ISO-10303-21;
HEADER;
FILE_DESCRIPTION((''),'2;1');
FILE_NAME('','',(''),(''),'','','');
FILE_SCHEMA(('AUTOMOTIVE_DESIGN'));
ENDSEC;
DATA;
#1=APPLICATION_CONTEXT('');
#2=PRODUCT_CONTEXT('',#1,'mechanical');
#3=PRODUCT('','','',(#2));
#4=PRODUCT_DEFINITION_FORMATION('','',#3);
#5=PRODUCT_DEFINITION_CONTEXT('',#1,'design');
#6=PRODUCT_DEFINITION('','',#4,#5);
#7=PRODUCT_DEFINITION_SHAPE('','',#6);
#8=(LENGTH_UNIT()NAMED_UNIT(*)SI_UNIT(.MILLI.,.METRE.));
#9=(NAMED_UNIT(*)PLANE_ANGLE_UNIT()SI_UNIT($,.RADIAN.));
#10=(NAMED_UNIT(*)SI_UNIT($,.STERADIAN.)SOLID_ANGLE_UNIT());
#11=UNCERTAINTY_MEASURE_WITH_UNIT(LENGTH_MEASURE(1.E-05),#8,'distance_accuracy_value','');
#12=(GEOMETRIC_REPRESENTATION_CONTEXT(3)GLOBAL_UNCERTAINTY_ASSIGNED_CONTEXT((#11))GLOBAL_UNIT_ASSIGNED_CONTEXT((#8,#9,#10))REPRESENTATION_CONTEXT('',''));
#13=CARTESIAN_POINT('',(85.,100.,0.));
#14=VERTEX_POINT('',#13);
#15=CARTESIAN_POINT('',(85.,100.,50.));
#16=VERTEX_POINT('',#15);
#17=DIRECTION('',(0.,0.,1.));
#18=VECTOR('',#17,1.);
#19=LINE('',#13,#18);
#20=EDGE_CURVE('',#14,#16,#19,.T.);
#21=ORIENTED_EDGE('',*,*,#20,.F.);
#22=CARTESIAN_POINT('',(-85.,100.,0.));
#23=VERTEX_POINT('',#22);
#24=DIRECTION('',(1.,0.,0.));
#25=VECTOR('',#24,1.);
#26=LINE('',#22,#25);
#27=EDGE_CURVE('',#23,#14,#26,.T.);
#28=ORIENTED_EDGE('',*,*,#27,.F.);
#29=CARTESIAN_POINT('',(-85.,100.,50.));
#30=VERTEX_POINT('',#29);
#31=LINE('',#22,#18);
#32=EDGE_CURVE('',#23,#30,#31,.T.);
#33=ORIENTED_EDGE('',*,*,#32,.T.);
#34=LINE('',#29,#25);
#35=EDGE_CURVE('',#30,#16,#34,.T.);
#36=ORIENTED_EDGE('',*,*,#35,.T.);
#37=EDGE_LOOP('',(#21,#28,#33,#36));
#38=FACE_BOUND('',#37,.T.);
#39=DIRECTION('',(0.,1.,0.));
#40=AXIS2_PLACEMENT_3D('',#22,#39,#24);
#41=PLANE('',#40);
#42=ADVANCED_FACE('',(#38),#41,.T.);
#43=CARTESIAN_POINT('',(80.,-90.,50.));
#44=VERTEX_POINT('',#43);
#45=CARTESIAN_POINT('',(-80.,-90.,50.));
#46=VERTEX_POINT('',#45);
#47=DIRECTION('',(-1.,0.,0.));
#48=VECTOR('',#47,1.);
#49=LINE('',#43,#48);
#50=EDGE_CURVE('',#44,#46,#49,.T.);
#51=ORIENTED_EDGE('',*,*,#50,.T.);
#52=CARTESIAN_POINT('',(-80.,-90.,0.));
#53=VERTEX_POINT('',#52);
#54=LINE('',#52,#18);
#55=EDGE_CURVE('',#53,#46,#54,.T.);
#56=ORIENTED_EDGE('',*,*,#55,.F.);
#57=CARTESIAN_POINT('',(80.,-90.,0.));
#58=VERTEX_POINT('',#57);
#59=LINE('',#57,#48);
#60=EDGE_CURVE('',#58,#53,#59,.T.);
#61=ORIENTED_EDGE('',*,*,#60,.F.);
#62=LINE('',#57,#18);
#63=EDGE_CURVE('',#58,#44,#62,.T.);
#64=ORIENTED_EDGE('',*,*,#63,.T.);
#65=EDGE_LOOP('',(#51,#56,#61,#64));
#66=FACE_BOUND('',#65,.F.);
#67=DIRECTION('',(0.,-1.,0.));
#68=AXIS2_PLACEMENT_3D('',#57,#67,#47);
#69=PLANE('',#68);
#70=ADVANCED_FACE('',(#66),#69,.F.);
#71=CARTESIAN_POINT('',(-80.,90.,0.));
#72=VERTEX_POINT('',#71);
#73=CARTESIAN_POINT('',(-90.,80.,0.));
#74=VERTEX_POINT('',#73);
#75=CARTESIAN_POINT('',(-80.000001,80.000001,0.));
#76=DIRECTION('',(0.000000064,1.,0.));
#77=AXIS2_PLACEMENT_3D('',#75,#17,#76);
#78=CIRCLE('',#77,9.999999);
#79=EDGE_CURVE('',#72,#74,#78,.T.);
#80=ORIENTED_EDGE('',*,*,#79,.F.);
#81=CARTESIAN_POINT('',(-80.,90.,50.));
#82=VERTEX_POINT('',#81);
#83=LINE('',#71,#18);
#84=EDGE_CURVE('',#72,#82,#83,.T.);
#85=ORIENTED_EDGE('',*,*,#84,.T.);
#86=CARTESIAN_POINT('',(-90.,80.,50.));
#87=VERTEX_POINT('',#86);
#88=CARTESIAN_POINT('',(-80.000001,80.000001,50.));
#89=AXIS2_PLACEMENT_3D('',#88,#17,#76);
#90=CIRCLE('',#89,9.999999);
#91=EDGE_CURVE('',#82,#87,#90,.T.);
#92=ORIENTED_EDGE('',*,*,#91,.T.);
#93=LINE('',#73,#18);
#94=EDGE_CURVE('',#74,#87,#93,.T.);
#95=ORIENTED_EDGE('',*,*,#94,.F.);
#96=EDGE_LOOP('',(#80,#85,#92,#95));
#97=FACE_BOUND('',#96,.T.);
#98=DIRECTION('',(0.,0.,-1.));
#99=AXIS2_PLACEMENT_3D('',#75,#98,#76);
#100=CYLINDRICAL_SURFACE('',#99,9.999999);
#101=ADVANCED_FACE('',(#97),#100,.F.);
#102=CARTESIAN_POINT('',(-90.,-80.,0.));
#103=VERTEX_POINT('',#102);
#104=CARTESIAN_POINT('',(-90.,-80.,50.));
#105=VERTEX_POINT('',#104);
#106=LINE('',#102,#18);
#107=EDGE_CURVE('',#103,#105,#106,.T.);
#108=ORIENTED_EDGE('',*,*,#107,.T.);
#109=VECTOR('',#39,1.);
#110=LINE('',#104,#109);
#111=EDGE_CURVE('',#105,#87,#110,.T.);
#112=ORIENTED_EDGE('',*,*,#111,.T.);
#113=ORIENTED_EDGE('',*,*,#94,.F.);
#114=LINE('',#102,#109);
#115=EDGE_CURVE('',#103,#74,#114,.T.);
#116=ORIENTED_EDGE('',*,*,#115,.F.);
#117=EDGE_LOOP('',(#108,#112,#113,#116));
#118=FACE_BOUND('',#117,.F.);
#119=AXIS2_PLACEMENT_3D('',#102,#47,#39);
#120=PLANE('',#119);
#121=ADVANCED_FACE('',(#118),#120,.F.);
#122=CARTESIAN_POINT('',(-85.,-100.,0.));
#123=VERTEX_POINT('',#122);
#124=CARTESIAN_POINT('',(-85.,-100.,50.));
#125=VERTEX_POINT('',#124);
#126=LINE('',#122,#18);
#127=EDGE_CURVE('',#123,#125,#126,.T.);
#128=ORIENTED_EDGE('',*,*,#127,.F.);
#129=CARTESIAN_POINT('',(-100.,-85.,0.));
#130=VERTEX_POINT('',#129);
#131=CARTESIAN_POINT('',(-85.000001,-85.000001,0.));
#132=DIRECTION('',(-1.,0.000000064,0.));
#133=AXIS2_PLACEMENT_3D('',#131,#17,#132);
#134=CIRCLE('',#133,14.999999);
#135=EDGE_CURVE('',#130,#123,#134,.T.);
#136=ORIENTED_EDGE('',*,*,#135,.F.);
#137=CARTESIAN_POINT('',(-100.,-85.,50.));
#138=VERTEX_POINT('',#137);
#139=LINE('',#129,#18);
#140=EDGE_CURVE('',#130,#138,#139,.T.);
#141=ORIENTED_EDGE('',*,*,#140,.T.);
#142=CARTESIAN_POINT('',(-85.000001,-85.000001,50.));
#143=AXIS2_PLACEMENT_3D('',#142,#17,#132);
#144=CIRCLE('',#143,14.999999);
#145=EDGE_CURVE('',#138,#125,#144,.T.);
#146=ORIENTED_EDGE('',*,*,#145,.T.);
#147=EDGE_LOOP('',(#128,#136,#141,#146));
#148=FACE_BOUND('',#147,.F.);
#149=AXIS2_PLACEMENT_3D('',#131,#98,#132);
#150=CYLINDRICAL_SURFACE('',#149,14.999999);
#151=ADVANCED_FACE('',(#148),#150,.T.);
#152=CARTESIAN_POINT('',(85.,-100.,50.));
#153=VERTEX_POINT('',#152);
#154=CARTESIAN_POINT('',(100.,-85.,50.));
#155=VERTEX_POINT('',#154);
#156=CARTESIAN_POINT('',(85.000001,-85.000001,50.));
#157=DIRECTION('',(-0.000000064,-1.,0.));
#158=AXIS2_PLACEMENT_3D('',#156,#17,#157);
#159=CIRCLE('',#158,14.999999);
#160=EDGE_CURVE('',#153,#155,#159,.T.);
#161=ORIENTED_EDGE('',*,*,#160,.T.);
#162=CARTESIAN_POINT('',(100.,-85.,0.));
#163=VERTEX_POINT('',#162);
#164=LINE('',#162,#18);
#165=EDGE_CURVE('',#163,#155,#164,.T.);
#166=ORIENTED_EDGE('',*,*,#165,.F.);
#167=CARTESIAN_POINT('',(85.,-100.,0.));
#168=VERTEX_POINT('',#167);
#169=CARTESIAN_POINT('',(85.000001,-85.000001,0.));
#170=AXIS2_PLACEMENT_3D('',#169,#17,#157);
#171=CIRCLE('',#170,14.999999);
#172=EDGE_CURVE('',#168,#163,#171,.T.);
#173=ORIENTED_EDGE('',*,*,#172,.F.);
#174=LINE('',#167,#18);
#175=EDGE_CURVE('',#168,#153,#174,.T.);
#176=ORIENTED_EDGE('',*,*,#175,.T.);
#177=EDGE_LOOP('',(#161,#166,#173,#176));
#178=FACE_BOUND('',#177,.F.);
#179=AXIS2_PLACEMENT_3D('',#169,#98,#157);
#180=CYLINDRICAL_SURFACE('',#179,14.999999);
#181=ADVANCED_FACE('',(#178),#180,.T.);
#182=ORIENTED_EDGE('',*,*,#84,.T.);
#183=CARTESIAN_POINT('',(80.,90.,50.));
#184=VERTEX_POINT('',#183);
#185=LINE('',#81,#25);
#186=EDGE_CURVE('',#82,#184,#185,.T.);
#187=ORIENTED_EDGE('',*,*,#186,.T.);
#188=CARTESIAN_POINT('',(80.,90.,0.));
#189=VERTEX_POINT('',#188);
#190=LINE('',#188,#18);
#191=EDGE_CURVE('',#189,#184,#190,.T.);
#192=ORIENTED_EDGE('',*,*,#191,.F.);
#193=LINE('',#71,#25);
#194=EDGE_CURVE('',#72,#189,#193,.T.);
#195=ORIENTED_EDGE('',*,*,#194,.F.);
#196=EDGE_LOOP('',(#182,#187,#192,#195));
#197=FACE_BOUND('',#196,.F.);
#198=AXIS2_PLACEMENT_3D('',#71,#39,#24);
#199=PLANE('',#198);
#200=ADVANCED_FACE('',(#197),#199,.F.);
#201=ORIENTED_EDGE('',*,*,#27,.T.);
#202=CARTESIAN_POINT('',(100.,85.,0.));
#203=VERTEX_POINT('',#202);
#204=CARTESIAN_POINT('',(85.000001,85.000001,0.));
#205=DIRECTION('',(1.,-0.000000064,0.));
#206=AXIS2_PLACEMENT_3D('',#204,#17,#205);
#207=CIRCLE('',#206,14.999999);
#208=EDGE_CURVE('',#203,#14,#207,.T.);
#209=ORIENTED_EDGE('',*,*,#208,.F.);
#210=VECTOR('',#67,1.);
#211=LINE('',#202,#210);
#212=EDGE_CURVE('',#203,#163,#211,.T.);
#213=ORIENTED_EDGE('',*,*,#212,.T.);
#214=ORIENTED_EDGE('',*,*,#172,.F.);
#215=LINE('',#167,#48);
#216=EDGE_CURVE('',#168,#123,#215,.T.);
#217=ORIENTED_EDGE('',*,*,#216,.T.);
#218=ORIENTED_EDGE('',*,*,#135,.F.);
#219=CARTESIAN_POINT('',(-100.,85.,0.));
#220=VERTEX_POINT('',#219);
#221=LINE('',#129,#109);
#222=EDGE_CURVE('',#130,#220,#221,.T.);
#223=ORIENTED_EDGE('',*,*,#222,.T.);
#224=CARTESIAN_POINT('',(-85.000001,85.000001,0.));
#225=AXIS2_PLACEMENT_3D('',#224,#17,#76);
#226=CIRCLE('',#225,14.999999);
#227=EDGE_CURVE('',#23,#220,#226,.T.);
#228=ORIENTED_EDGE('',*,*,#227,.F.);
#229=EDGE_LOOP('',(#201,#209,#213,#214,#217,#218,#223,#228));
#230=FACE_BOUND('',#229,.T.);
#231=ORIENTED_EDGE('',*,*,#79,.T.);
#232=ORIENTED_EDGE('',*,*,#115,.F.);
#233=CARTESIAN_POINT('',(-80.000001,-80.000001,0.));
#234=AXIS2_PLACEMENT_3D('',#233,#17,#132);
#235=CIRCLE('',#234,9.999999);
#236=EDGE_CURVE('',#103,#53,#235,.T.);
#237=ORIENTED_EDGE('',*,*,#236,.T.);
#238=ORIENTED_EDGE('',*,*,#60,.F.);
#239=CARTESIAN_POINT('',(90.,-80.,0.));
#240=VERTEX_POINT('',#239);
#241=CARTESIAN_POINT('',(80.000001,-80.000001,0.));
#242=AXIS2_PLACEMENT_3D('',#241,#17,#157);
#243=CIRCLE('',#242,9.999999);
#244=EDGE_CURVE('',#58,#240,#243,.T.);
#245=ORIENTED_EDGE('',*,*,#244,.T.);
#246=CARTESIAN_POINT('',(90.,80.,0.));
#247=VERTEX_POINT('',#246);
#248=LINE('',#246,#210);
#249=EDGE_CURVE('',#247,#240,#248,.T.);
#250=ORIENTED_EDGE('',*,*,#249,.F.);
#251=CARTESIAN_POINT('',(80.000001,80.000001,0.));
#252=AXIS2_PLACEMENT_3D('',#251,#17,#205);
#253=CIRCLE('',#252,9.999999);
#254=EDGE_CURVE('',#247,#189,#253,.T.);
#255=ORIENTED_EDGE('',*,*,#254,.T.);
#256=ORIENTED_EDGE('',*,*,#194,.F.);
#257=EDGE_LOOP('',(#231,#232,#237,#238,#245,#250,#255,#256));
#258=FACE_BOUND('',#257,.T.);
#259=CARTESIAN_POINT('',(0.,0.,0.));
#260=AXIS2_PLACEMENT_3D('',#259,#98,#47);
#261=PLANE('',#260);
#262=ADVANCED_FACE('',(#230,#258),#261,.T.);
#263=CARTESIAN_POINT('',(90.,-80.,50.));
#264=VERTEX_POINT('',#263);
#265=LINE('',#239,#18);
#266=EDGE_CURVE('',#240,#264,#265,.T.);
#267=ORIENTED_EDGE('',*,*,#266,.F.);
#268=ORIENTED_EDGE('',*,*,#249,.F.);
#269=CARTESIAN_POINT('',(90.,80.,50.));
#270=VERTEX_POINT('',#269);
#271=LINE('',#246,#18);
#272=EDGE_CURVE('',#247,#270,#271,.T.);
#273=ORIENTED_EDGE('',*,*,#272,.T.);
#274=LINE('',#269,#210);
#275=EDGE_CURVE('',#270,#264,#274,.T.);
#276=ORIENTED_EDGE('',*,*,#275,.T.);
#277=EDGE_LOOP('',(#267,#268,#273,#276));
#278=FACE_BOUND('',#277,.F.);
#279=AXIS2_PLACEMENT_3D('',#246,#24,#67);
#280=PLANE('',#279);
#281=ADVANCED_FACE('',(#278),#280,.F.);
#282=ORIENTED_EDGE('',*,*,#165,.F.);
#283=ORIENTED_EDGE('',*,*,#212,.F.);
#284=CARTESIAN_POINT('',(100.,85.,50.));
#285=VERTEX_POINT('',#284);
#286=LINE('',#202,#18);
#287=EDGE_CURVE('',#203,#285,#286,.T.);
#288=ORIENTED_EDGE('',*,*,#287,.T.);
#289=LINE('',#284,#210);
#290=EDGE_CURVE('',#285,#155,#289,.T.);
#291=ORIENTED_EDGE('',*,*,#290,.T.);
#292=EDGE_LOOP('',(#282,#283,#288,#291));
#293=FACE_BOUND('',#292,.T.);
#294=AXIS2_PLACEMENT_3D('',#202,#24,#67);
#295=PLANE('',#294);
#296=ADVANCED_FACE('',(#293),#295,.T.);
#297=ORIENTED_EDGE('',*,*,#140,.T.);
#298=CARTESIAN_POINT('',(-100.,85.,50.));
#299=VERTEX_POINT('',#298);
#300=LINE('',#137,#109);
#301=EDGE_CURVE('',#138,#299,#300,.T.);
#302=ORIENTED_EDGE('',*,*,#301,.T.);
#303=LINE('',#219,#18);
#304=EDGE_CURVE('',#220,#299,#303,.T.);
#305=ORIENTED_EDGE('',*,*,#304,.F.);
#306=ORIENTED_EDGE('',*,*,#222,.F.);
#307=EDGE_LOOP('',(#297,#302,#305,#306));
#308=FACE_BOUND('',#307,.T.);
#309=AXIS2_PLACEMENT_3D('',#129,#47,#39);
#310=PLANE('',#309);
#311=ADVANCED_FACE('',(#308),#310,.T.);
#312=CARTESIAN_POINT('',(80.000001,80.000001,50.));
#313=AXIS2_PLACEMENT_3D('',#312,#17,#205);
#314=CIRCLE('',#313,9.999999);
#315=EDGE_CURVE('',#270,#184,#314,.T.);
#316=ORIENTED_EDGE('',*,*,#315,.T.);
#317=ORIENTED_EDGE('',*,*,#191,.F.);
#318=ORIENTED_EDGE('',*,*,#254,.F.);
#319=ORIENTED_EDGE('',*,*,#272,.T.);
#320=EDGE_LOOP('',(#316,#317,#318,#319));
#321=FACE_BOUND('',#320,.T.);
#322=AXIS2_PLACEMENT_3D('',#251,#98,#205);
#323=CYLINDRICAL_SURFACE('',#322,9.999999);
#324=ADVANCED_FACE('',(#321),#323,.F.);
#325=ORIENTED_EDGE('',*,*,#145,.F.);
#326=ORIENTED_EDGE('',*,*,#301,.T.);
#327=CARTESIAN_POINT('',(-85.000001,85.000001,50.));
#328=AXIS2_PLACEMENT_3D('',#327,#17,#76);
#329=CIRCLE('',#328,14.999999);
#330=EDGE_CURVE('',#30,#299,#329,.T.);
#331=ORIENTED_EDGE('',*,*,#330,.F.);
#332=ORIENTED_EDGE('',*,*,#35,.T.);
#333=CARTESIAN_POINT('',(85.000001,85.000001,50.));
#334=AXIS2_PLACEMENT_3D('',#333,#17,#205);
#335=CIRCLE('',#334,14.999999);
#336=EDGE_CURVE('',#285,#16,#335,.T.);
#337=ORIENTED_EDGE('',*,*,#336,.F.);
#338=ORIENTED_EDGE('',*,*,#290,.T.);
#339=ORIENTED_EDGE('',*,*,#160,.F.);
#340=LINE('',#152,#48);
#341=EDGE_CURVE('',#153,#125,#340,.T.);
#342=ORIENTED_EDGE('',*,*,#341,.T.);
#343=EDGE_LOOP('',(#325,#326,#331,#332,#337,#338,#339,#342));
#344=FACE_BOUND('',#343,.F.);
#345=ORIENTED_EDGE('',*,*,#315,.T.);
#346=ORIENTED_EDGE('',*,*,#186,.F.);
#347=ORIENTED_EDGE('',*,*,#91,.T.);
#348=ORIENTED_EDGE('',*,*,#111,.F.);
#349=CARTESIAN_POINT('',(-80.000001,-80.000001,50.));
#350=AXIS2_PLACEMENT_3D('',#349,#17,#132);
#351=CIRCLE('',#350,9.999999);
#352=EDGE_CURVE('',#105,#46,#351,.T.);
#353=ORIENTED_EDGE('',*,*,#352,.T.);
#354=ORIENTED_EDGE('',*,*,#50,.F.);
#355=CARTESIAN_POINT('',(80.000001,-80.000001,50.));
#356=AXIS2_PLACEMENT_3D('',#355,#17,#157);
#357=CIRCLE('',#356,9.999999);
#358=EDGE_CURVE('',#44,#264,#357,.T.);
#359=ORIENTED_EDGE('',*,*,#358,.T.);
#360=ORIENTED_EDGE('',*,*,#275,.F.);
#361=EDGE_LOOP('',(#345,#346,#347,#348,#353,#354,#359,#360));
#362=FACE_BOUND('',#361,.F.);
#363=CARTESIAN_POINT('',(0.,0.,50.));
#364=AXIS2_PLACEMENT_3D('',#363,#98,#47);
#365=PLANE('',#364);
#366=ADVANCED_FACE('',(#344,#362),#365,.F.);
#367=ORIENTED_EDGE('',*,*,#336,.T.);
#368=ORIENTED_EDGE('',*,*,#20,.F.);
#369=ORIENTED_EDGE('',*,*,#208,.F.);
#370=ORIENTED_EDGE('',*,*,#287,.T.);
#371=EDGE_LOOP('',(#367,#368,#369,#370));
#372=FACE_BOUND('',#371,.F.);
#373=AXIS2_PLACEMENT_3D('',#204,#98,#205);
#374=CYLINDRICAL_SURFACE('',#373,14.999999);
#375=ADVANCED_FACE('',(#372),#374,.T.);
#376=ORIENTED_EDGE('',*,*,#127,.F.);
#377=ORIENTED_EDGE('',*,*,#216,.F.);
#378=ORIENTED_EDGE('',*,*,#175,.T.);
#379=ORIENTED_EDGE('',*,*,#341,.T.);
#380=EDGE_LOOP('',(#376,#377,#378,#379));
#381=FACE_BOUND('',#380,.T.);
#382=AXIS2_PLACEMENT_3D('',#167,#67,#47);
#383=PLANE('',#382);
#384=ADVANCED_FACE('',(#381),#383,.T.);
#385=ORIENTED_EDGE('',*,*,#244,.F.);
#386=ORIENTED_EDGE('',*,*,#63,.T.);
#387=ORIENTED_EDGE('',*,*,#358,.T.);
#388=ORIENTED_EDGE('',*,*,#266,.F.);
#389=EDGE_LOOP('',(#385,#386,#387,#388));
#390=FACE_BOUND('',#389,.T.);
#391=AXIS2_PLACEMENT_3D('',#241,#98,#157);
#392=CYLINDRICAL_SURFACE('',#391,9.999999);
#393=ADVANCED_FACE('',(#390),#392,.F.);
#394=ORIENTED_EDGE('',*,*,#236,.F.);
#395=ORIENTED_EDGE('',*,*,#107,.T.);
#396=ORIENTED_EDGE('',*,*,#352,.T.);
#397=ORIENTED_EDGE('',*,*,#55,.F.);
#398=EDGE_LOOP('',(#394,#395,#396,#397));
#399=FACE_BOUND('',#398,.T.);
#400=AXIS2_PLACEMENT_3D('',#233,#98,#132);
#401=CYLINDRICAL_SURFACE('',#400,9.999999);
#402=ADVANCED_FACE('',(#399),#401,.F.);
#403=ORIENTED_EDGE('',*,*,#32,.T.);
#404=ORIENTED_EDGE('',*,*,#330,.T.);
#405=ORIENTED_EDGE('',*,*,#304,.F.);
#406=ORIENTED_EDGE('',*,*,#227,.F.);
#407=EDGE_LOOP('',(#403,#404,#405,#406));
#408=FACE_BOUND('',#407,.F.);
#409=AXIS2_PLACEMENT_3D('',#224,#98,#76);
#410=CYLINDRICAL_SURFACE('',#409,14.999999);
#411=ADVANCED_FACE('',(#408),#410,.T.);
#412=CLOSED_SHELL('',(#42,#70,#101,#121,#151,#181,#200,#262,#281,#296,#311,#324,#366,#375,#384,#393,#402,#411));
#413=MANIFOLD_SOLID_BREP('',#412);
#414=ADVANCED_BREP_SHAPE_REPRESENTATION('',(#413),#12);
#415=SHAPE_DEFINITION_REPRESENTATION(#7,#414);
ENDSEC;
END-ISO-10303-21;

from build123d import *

# Parameters (mm, degrees)
EXTRUDE_DEPTH = 50


with BuildPart() as part:
    # Sketch → Extrude (new body)
    with BuildSketch(Plane.XY):
        with BuildLine():
            Line((-85, 100), (85, 100))
            ThreePointArc((100, 85), (95.606602, 95.606602), (85, 100))
            Line((100, 85), (100, -85))
            ThreePointArc((85, -100), (95.606602, -95.606602), (100, -85))
            Line((85, -100), (-85, -100))
            ThreePointArc((-100, -85), (-95.606602, -95.606602), (-85, -100))
            Line((-100, -85), (-100, 85))
            ThreePointArc((-85, 100), (-95.606602, 95.606602), (-100, 85))
        make_face()
        with BuildLine():
            Line((-80, 90), (80, 90))
            ThreePointArc((90, 80), (87.071068, 87.071068), (80, 90))
            Line((90, 80), (90, -80))
            ThreePointArc((80, -90), (87.071068, -87.071068), (90, -80))
            Line((80, -90), (-80, -90))
            ThreePointArc((-90, -80), (-87.071068, -87.071068), (-80, -90))
            Line((-90, -80), (-90, 80))
            ThreePointArc((-80, 90), (-87.071068, 87.071068), (-90, 80))
        make_face(mode=Mode.SUBTRACT)
    extrude(amount=EXTRUDE_DEPTH)


solid = part.part
